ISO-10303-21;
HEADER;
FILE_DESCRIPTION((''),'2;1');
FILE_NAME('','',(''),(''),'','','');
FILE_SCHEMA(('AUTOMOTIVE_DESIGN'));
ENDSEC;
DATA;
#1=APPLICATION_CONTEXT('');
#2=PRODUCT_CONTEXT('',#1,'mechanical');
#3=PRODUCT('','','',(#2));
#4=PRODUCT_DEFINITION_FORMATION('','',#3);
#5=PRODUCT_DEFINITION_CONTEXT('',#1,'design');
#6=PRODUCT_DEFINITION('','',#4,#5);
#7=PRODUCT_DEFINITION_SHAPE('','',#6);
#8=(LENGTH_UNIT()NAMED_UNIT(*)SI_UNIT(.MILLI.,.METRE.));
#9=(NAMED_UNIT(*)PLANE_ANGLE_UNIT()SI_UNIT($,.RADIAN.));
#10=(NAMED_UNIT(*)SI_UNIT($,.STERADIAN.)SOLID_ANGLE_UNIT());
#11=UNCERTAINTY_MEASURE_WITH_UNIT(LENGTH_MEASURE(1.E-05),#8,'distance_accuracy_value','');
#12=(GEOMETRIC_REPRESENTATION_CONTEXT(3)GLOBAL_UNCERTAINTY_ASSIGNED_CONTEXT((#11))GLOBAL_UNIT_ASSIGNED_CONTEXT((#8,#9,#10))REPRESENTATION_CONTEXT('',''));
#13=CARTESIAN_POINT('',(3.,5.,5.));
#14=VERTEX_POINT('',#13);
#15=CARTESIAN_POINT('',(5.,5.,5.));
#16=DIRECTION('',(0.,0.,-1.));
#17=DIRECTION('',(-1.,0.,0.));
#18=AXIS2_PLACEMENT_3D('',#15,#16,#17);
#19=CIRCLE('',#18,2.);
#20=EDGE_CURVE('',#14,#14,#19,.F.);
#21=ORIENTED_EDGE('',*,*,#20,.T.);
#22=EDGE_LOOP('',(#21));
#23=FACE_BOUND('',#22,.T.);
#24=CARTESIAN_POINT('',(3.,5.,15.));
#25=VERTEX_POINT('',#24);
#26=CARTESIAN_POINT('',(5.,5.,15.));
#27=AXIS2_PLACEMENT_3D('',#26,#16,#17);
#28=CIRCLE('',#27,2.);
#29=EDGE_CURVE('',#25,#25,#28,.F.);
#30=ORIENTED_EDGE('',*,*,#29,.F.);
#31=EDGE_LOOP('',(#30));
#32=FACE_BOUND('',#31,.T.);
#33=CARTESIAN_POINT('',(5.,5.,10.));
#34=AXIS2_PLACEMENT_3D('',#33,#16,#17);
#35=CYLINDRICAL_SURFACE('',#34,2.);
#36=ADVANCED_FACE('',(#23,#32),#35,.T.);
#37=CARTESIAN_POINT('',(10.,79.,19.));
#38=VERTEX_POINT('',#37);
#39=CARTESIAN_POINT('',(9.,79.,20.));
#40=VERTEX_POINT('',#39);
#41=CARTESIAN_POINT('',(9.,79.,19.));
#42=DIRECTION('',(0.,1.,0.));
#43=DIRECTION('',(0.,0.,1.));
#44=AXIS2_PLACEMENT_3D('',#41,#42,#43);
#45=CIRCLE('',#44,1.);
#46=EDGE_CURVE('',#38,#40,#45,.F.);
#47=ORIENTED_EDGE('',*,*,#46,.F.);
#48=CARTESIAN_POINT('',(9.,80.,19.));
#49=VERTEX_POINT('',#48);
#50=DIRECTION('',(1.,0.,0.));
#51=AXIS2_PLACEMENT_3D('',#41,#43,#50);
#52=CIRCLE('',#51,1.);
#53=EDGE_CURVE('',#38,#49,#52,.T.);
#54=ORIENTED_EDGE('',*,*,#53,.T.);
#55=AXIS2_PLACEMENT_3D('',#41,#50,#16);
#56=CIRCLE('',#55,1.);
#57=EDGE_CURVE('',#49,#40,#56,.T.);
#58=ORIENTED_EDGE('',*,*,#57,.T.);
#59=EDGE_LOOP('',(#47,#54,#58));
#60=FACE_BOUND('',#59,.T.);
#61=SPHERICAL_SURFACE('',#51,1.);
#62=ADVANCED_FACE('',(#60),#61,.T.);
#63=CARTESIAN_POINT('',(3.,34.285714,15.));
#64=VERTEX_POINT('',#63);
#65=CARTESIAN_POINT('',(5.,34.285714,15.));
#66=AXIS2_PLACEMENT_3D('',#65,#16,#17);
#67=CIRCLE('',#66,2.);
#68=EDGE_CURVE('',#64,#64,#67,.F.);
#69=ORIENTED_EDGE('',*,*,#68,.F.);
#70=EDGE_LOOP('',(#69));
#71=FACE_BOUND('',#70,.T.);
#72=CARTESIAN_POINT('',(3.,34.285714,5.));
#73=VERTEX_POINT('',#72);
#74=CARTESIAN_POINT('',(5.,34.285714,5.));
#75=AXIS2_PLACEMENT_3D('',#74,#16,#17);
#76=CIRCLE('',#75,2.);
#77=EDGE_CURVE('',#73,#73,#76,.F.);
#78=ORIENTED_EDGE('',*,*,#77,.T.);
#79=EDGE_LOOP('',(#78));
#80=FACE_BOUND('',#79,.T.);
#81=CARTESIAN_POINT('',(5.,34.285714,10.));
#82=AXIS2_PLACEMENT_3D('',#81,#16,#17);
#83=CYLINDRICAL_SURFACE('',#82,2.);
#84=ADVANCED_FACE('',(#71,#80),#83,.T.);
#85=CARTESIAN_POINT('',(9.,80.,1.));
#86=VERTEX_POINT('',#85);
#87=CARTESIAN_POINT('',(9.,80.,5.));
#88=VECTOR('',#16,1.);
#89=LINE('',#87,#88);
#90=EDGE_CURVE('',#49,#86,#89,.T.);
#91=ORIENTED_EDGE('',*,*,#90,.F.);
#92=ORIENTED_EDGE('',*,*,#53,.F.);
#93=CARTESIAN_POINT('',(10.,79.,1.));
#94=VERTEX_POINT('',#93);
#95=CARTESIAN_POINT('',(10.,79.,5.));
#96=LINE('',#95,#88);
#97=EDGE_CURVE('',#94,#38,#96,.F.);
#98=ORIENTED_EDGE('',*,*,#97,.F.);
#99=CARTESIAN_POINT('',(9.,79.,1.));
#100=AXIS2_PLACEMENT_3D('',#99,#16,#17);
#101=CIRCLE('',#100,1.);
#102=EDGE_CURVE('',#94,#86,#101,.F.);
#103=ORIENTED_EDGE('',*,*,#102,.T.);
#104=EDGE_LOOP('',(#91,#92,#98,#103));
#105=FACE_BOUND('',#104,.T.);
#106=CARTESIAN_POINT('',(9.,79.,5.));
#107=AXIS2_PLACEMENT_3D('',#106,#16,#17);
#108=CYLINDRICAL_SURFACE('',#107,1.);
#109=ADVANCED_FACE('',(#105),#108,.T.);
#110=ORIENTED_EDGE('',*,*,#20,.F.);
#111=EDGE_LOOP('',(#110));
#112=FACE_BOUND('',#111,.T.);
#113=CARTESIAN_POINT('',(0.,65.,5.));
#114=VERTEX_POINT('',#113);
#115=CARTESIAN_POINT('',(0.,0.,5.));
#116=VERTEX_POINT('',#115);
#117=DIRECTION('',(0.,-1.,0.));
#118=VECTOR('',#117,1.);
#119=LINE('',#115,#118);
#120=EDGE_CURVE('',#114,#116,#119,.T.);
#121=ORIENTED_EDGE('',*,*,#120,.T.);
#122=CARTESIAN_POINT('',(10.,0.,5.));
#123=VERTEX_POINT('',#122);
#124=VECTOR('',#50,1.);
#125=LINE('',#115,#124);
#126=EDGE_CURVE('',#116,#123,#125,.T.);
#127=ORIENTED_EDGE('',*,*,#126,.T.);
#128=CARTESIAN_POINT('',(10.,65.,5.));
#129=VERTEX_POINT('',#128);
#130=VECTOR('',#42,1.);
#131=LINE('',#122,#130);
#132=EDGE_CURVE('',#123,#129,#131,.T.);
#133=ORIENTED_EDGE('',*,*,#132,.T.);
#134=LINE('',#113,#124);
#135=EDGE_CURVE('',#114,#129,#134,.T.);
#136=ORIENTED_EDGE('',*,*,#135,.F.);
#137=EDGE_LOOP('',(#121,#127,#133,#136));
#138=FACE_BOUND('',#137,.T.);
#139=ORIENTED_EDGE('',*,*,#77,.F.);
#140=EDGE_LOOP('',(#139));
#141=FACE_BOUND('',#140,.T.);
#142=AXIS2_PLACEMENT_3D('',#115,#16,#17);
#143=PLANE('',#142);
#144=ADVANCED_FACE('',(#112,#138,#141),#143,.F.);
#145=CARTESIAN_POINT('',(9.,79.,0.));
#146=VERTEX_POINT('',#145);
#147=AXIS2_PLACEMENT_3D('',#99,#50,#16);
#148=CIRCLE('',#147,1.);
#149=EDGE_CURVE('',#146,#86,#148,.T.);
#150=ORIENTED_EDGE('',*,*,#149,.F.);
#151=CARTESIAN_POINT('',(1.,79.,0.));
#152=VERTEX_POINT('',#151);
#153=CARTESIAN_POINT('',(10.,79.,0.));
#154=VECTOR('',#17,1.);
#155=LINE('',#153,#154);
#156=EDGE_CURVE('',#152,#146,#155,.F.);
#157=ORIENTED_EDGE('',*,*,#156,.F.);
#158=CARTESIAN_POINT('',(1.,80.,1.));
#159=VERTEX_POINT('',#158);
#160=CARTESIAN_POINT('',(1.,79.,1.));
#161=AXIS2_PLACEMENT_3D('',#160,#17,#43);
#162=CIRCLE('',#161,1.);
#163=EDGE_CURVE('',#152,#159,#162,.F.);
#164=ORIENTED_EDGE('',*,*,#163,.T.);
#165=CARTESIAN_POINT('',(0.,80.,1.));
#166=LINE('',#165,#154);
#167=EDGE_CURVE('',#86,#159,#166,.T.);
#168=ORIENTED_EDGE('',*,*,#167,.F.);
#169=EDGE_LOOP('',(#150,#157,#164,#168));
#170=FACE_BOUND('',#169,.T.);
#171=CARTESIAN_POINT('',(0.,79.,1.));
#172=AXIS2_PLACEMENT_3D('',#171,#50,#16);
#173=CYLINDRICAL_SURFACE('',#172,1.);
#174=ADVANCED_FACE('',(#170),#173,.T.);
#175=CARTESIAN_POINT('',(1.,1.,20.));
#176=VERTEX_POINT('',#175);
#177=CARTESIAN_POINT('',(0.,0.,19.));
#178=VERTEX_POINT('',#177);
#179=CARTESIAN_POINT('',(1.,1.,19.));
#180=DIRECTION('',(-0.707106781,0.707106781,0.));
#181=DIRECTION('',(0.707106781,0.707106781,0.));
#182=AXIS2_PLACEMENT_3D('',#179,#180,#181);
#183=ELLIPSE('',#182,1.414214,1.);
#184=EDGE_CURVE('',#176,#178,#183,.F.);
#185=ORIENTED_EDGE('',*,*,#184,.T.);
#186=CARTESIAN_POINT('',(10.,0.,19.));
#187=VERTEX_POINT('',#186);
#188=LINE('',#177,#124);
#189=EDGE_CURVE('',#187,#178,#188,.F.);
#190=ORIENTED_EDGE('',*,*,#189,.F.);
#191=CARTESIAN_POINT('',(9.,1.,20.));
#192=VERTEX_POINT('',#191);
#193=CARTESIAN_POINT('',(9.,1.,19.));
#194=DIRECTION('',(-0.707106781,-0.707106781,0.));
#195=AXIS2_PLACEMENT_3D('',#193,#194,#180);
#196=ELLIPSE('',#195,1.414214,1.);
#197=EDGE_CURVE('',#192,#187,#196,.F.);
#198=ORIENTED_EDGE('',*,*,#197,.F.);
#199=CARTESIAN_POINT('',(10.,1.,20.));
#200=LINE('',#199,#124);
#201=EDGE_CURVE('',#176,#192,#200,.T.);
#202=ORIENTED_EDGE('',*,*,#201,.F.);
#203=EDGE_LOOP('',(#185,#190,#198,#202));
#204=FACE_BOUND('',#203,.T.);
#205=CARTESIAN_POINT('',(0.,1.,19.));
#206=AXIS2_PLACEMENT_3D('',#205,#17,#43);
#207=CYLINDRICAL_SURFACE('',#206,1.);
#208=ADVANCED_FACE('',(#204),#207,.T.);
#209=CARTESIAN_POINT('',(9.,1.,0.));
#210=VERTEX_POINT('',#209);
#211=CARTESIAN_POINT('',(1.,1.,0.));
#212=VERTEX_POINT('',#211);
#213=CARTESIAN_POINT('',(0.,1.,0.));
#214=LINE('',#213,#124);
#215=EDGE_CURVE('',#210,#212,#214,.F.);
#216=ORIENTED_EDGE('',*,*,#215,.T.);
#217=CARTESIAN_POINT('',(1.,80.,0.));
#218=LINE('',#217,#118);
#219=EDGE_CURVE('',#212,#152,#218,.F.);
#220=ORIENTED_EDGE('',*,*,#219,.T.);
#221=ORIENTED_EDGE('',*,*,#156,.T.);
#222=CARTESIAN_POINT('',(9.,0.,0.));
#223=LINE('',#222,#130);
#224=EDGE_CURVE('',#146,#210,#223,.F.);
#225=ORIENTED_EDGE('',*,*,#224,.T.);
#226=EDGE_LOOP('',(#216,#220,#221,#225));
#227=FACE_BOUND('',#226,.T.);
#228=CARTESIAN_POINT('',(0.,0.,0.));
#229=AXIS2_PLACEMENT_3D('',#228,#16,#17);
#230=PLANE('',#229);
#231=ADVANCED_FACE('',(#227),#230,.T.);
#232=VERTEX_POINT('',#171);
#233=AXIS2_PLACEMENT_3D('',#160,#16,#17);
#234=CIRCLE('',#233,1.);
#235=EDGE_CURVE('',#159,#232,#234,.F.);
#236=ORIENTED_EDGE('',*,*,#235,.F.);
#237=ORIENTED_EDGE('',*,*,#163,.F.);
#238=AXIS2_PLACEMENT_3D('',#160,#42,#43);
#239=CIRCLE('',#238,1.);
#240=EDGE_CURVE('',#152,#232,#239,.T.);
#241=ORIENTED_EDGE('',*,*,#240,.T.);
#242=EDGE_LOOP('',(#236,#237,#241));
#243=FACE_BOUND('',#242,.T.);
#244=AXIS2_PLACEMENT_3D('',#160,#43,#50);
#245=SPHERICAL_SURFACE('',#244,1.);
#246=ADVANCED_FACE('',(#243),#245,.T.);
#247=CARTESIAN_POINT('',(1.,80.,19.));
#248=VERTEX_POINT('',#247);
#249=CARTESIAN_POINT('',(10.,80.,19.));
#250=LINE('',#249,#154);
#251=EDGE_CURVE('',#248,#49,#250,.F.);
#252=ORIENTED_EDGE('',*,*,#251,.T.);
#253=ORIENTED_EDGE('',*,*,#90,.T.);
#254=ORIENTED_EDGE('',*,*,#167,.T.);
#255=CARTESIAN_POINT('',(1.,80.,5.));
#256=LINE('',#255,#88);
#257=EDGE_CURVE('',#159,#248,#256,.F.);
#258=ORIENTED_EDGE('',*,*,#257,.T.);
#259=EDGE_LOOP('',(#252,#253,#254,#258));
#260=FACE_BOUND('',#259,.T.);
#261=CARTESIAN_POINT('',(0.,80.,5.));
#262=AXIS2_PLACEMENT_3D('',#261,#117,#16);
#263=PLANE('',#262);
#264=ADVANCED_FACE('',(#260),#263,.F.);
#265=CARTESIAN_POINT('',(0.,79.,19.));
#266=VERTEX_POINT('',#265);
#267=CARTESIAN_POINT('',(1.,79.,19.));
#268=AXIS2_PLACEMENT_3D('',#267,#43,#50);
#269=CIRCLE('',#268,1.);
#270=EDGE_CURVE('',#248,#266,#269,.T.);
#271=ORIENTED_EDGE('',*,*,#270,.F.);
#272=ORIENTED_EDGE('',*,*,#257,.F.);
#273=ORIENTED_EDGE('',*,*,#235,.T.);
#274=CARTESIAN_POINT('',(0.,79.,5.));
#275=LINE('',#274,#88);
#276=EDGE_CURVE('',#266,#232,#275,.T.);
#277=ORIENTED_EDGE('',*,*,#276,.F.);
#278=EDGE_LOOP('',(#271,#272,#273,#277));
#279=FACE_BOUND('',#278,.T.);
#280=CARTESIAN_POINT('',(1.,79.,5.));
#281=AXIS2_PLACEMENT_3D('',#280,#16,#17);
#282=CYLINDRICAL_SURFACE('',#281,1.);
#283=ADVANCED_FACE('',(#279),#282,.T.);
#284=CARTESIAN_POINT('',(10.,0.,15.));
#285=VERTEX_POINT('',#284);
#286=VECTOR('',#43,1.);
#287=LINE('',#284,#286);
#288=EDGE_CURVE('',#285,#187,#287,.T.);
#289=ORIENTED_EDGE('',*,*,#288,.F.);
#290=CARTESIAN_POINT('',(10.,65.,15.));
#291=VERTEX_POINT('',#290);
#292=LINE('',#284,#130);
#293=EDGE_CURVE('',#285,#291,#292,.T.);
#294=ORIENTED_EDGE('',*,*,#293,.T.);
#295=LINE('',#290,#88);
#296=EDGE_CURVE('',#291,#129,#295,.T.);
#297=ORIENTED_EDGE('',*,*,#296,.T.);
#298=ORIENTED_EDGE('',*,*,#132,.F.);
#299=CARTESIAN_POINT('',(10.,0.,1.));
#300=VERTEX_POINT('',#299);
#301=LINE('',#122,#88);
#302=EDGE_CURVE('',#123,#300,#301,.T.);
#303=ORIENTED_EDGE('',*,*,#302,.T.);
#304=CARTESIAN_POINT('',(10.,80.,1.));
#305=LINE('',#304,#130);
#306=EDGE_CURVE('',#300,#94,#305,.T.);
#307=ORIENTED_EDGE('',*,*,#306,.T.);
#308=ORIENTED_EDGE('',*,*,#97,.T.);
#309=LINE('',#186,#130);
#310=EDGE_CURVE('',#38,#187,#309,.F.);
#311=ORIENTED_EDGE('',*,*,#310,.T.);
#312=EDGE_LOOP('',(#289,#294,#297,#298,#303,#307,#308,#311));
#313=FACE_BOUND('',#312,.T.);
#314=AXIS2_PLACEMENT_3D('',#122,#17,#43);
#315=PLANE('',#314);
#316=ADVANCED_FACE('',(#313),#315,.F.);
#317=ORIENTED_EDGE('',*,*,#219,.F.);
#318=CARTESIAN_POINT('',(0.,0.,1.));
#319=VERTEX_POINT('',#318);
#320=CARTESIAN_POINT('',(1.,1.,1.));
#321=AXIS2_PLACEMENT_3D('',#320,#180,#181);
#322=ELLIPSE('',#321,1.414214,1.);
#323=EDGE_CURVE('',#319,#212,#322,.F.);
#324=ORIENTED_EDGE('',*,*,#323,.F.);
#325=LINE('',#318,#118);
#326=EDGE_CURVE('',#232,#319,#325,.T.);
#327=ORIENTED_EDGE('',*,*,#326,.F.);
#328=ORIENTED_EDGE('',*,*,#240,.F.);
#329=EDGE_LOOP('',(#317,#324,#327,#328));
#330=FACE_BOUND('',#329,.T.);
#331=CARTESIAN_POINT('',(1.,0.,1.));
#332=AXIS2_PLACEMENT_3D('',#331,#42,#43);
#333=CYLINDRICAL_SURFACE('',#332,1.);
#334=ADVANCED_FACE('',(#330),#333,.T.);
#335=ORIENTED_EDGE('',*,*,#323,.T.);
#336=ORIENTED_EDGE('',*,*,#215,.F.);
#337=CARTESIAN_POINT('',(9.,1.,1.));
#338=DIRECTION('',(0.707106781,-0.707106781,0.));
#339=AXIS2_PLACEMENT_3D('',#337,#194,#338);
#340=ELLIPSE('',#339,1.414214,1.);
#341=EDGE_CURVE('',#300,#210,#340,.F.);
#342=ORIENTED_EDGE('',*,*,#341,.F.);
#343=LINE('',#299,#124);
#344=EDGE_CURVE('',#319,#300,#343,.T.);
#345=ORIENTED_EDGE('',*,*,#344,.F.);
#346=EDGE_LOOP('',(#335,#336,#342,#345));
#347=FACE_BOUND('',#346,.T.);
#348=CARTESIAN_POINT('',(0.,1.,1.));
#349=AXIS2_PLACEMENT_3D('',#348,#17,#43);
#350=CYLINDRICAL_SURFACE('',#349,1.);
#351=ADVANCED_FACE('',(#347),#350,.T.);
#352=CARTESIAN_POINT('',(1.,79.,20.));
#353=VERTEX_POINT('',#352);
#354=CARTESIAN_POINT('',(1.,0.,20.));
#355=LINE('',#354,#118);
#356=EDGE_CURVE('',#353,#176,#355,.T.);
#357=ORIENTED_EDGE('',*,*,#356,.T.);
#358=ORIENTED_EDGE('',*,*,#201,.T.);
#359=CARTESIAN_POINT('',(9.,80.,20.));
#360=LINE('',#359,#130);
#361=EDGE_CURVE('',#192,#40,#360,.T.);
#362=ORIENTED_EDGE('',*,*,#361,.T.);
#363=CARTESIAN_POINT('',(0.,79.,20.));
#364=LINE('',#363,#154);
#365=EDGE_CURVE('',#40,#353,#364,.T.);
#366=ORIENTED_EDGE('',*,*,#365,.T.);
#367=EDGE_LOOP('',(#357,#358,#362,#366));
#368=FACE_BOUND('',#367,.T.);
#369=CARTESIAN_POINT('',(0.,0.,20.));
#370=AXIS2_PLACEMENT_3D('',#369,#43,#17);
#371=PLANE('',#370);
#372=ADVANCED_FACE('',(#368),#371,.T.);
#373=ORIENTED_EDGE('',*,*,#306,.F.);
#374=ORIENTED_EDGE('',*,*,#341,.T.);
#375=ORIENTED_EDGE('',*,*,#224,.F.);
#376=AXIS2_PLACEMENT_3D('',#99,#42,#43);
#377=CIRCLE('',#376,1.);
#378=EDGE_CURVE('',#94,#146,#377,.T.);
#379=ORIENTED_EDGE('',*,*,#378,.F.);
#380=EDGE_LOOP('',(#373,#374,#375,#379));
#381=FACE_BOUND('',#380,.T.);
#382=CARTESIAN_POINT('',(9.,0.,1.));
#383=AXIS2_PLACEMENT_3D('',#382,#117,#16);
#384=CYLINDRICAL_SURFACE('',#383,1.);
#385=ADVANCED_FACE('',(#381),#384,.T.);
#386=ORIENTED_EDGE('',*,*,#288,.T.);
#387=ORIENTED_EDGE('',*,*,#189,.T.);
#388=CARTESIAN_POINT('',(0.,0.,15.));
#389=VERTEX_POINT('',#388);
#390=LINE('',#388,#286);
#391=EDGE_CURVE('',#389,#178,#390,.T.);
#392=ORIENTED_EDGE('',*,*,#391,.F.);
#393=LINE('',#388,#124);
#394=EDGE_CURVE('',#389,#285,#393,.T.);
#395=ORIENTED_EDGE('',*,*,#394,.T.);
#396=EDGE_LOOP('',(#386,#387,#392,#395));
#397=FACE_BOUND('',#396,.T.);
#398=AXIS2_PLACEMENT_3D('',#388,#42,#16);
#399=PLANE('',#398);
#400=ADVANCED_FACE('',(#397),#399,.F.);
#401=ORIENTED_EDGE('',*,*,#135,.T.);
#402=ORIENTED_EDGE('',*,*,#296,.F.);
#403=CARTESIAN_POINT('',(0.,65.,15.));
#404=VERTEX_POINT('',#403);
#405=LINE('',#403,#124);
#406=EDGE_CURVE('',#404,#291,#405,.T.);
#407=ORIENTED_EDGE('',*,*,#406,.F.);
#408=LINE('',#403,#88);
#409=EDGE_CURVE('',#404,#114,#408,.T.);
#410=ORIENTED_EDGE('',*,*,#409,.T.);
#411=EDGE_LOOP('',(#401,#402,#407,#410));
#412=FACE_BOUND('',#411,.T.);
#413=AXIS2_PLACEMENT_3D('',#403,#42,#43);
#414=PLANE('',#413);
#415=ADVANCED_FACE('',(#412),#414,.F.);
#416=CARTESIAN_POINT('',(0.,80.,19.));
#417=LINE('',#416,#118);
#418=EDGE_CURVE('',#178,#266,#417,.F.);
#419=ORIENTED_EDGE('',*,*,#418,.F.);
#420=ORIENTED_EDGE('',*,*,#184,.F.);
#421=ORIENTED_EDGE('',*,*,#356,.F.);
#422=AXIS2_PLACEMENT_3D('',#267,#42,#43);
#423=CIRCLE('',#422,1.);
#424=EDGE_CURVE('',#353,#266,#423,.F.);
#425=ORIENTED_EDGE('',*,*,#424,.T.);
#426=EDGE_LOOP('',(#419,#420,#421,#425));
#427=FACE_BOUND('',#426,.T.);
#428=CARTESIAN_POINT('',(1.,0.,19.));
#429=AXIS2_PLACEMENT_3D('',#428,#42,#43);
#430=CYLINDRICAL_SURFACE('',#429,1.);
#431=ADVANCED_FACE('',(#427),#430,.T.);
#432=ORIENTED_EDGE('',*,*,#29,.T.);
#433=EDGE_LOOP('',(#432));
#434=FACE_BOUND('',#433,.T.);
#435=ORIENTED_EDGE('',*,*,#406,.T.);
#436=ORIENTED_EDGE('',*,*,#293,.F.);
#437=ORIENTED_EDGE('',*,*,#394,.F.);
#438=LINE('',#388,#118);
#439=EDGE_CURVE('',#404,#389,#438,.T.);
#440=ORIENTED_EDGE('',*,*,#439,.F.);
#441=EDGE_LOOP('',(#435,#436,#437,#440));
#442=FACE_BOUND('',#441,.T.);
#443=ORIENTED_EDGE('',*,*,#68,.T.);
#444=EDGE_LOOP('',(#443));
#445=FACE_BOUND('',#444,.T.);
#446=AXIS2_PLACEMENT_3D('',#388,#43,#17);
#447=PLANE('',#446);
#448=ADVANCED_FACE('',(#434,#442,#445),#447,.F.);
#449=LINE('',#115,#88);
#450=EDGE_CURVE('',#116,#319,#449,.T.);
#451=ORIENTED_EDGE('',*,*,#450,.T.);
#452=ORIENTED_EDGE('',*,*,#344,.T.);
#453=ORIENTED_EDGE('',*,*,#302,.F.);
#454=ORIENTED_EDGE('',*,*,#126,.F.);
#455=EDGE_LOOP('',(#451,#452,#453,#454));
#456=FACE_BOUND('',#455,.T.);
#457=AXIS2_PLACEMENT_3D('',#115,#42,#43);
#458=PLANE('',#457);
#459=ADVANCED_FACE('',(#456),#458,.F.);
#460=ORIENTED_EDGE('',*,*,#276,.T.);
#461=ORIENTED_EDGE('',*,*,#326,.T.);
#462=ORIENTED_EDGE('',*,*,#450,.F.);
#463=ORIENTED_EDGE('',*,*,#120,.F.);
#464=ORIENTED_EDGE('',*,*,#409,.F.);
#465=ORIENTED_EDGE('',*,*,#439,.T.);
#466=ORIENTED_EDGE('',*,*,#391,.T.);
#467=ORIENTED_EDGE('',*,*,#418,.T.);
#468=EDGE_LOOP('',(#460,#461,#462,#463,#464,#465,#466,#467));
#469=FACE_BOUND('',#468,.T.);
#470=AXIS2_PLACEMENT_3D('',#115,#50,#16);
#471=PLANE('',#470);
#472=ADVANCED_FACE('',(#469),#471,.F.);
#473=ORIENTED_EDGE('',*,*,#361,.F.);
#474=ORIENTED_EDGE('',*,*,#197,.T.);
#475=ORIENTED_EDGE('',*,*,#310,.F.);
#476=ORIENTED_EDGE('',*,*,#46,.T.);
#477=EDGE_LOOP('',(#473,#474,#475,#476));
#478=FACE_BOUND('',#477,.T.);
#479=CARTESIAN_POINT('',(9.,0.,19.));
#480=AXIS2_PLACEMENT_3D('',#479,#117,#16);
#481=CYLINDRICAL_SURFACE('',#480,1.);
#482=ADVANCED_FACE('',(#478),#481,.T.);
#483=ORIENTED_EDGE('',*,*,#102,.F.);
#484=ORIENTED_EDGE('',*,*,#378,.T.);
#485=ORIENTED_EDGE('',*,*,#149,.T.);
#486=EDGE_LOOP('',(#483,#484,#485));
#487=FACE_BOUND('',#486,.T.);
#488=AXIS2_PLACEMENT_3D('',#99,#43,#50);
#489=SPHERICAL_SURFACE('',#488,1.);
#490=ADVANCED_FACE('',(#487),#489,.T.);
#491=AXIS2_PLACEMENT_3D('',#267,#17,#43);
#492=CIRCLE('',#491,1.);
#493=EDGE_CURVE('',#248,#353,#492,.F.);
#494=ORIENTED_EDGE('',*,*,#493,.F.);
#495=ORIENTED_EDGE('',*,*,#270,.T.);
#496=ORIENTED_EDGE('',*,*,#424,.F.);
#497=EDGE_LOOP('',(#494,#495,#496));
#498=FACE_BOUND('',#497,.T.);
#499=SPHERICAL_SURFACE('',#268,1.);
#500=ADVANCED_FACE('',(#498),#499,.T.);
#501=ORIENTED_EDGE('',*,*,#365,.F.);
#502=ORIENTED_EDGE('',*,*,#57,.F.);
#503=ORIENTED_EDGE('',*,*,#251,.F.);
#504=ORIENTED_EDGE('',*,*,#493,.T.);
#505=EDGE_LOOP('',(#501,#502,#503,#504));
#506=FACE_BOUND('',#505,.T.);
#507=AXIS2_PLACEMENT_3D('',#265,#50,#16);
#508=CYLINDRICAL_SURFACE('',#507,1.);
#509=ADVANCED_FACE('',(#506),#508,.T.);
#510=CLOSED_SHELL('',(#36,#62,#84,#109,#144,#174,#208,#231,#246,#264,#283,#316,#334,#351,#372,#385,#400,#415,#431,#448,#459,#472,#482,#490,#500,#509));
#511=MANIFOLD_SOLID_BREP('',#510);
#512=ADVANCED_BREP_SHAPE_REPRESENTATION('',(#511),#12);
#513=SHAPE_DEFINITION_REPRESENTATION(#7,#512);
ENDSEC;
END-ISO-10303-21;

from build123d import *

# Parameters (mm, degrees)
SKETCH1_W           = 10
SKETCH1_H           = 80
BOSS_EXTRUDE1_DEPTH = 5
SKETCH2_R           = 2
BOSS_EXTRUDE2_DEPTH = 5
SKETCH3_W           = 10
SKETCH3_H           = 15
BOSS_EXTRUDE4_DEPTH = 10
FILLET1_R           = 1


with BuildPart() as part:
    # Sketch1 → Boss-Extrude1 (new body)
    with BuildSketch(Plane.XY):
        with Locations((5, 40)):
            Rectangle(SKETCH1_W, SKETCH1_H)
    boss_extrude1 = extrude(amount=BOSS_EXTRUDE1_DEPTH)

    # Sketch2 → Boss-Extrude2 (add)
    with BuildSketch(Plane.XY.offset(5)):
        with Locations(Location((5, 5, 0), (0, 0, 180))):
            Circle(SKETCH2_R)
        with Locations(Location((5, 34.285714286, 0), (0, 0, 180))):
            Circle(SKETCH2_R)
    boss_extrude2 = extrude(amount=BOSS_EXTRUDE2_DEPTH)

    # Mirror2: Boss-Extrude1, Boss-Extrude2 across plane
    add(boss_extrude1.mirror(Plane(origin=(5, 34.285714286, 10), x_dir=(1, 0, 0), z_dir=(0, 0, 1))))
    add(boss_extrude2.mirror(Plane(origin=(5, 34.285714286, 10), x_dir=(1, 0, 0), z_dir=(0, 0, 1))))

    # Sketch3 → Boss-Extrude4 (add)
    with BuildSketch(Plane.XY.offset(5)):
        with Locations((5, 72.5)):
            Rectangle(SKETCH3_W, SKETCH3_H)
    extrude(amount=BOSS_EXTRUDE4_DEPTH)

    # Fillet1
    fillet1_edges = [part.edges().sort_by_distance(p)[0] for p in [
        (0, 40, 20),
        (5, 0, 20),
        (10, 40, 20),
        (5, 80, 20),
        (5, 80, 0),
        (10, 40, 0),
        (5, 0, 0),
        (0, 40, 0),
        (0, 80, 10),
        (10, 80, 10),
    ]]
    fillet(fillet1_edges, radius=FILLET1_R)


solid = part.part
